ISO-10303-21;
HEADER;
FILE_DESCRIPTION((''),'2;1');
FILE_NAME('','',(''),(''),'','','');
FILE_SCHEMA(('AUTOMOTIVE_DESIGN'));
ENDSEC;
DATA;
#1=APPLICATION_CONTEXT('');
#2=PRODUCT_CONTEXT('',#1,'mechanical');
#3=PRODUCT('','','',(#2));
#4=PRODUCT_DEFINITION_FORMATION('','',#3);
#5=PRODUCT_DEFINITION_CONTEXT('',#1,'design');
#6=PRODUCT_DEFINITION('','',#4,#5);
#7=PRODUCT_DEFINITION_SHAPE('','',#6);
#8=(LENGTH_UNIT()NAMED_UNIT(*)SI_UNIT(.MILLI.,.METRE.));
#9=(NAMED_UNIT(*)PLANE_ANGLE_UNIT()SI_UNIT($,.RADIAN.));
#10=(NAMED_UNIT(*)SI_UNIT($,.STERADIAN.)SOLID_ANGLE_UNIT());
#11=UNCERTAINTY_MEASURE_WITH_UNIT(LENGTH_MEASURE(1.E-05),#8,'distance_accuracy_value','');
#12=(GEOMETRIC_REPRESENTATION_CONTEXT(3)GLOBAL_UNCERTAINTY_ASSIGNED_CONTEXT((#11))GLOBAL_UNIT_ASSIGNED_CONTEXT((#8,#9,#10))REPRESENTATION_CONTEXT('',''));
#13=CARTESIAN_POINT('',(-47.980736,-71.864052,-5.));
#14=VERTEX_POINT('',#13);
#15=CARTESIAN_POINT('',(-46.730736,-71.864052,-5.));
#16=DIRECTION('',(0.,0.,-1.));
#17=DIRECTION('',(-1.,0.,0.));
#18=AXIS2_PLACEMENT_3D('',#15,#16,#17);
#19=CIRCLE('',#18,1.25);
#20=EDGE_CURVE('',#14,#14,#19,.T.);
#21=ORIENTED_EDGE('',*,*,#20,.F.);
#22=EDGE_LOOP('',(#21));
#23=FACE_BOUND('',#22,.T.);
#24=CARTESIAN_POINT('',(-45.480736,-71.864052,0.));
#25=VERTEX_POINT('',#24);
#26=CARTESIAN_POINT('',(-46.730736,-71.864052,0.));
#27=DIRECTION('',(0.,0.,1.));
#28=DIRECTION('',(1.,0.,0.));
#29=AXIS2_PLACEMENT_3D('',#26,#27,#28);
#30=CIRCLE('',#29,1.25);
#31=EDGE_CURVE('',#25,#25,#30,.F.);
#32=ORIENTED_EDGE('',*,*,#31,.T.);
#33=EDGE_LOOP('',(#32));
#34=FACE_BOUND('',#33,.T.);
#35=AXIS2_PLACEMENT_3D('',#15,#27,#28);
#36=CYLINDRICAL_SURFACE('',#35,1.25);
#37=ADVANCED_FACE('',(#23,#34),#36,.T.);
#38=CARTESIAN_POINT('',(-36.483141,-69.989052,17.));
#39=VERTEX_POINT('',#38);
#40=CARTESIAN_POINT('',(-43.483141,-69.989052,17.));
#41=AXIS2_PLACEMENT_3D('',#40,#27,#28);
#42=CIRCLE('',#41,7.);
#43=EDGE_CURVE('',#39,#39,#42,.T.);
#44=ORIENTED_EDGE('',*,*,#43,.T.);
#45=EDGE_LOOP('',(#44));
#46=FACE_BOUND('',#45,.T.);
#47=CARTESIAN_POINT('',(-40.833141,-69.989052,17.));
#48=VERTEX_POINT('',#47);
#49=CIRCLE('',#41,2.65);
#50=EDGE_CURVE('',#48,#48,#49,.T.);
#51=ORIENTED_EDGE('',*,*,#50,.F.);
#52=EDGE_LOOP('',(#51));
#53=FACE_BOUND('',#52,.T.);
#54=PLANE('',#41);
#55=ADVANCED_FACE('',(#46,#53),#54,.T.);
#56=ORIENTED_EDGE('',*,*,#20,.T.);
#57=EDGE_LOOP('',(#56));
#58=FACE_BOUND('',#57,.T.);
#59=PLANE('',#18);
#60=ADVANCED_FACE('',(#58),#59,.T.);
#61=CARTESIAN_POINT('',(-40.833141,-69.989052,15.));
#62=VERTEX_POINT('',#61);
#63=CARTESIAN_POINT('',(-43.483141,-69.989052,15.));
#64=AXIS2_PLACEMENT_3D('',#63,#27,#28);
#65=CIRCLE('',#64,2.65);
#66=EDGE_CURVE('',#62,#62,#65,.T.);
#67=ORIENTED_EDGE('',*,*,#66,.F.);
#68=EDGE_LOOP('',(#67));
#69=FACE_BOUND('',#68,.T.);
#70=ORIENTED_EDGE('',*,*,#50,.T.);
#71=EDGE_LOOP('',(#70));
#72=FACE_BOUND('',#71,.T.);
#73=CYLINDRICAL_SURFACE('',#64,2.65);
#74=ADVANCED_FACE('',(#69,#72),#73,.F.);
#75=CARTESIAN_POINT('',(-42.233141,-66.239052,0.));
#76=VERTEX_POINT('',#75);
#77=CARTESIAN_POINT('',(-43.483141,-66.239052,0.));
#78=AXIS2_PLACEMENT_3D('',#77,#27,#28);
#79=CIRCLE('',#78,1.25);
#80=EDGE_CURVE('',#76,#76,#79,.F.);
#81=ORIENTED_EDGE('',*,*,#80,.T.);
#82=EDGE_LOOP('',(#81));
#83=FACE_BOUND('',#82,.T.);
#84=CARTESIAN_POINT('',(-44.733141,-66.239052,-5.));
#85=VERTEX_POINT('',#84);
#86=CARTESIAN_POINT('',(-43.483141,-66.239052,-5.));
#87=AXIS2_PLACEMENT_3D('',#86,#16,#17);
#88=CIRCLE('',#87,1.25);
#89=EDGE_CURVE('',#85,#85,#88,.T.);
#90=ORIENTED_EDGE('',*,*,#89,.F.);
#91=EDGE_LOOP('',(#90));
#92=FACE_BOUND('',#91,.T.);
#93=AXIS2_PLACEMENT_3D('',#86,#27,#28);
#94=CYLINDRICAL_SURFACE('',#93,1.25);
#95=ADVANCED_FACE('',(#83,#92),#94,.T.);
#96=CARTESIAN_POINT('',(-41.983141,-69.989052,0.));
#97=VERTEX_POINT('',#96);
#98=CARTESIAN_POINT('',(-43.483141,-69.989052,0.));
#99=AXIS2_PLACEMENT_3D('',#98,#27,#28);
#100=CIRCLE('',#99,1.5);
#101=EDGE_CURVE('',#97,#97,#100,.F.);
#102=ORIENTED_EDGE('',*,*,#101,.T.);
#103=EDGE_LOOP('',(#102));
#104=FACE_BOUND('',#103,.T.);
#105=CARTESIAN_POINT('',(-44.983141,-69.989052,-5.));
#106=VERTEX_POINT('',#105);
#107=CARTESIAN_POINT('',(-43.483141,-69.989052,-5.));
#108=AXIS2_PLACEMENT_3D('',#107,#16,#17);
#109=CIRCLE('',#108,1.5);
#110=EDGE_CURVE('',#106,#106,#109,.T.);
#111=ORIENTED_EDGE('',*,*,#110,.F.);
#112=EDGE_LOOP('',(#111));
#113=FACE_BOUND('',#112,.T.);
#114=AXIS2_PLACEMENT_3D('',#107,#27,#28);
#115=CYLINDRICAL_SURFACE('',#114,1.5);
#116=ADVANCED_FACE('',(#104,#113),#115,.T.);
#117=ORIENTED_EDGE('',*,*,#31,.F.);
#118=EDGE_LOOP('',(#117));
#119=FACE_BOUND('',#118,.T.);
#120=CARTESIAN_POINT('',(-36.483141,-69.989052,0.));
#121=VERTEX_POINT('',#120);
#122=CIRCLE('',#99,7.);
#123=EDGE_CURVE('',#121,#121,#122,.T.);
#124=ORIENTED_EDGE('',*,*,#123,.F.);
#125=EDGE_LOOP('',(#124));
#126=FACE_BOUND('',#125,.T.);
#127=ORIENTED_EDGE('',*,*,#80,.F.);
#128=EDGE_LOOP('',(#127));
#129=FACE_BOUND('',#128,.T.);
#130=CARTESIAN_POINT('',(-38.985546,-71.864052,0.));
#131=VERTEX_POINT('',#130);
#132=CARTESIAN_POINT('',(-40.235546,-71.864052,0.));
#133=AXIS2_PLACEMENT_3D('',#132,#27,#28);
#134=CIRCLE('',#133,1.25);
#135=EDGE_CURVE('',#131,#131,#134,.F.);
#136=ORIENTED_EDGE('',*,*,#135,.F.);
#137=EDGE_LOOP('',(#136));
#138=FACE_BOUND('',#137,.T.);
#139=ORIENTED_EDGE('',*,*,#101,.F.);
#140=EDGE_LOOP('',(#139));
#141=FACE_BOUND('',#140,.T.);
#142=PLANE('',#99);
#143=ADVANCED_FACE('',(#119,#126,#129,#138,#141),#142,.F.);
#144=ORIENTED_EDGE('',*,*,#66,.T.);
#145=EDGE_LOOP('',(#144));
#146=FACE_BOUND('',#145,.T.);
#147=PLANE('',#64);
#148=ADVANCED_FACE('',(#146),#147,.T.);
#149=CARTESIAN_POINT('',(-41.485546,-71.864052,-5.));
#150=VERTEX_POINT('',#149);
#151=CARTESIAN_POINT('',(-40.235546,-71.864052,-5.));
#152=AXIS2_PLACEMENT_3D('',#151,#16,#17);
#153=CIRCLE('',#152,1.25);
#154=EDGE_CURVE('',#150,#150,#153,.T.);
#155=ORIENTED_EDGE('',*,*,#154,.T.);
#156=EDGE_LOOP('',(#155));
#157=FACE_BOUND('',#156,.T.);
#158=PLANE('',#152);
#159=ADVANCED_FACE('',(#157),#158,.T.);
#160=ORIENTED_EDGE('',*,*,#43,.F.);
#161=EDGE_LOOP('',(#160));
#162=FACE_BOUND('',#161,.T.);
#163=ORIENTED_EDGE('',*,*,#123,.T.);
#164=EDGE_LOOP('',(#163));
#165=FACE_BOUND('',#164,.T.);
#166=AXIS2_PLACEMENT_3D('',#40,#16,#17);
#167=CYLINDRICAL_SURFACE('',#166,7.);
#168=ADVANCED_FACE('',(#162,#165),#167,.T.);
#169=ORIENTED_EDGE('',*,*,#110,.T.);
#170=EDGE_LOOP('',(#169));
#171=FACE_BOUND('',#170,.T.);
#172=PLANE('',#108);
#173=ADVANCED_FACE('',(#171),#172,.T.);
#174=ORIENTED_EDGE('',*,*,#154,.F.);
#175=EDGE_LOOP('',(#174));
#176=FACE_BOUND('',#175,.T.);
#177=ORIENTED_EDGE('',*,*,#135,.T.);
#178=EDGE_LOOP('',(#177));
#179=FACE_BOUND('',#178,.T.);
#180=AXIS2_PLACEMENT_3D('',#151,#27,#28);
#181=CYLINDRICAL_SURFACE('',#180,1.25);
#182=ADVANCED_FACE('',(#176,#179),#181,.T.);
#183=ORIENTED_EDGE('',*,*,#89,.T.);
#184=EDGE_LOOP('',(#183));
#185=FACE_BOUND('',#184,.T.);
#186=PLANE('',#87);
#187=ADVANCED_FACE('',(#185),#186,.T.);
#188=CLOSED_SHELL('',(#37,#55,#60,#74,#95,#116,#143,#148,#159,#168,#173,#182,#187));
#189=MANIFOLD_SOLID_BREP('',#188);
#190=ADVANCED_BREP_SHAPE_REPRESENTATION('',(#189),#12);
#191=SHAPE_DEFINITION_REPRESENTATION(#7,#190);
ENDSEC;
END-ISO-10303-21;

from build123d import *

# Parameters (mm, degrees)
SKETCH1_R           = 7
SKETCH1_R_2         = 1.25
BOSS_EXTRUDE1_DEPTH = 17
SKETCH2_R           = 7
BOSS_EXTRUDE2_DEPTH = 11
SKETCH3_R           = 2.65
CUT_EXTRUDE1_DEPTH  = 2
SKETCH4_R           = 1.5
BOSS_EXTRUDE3_DEPTH = 5
SKETCH5_R           = 1.25
BOSS_EXTRUDE4_DEPTH = 5
SKETCH6_R           = 7
BOSS_EXTRUDE5_DEPTH = 15


with BuildPart() as part:
    # Sketch1 → Boss-Extrude1 (new body)
    with BuildSketch(Plane.XY):
        with Locations((-43.483141232, -69.989052064)):
            Circle(SKETCH1_R)
        with Locations((-43.483141232, -66.239052064)):
            Circle(SKETCH1_R_2, mode=Mode.SUBTRACT)
        with Locations((-40.235545968, -71.864052064)):
            Circle(SKETCH1_R_2, mode=Mode.SUBTRACT)
        with Locations((-46.730736496, -71.864052064)):
            Circle(SKETCH1_R_2, mode=Mode.SUBTRACT)
    extrude(amount=BOSS_EXTRUDE1_DEPTH)

    # Sketch2 → Boss-Extrude2 (add)
    with BuildSketch(Plane.XY.offset(17)):
        with Locations((-43.483141232, -69.989052064)):
            Circle(SKETCH2_R)
    extrude(amount=-BOSS_EXTRUDE2_DEPTH)

    # Sketch3 → Cut-Extrude1 (cut)
    with BuildSketch(Plane.XY.offset(17)):
        with Locations((-43.483141232, -69.989052064)):
            Circle(SKETCH3_R)
    extrude(amount=-CUT_EXTRUDE1_DEPTH, mode=Mode.SUBTRACT)

    # Sketch4 → Boss-Extrude3 (add)
    with BuildSketch(Plane(origin=(0, 0, 0), x_dir=(-1, 0, 0), z_dir=(0, 0, -1))):
        with Locations((43.483141232, -69.989052064)):
            Circle(SKETCH4_R)
    extrude(amount=BOSS_EXTRUDE3_DEPTH)

    # Sketch5 → Boss-Extrude4 (add, symmetric)
    with BuildSketch(Plane(origin=(0, 0, 0), x_dir=(-1, 0, 0), z_dir=(0, 0, -1))):
        with Locations((43.483141232, -66.239052064)):
            Circle(SKETCH5_R)
        with Locations((46.730736496, -71.864052064)):
            Circle(SKETCH5_R)
        with Locations((40.235545968, -71.864052064)):
            Circle(SKETCH5_R)
    extrude(amount=BOSS_EXTRUDE4_DEPTH, both=True)

    # Sketch6 → Boss-Extrude5 (add)
    with BuildSketch(Plane(origin=(0, 0, 0), x_dir=(-1, 0, 0), z_dir=(0, 0, -1))):
        with Locations((43.483141232, -69.989052064)):
            Circle(SKETCH6_R)
    extrude(amount=-BOSS_EXTRUDE5_DEPTH)


solid = part.part
